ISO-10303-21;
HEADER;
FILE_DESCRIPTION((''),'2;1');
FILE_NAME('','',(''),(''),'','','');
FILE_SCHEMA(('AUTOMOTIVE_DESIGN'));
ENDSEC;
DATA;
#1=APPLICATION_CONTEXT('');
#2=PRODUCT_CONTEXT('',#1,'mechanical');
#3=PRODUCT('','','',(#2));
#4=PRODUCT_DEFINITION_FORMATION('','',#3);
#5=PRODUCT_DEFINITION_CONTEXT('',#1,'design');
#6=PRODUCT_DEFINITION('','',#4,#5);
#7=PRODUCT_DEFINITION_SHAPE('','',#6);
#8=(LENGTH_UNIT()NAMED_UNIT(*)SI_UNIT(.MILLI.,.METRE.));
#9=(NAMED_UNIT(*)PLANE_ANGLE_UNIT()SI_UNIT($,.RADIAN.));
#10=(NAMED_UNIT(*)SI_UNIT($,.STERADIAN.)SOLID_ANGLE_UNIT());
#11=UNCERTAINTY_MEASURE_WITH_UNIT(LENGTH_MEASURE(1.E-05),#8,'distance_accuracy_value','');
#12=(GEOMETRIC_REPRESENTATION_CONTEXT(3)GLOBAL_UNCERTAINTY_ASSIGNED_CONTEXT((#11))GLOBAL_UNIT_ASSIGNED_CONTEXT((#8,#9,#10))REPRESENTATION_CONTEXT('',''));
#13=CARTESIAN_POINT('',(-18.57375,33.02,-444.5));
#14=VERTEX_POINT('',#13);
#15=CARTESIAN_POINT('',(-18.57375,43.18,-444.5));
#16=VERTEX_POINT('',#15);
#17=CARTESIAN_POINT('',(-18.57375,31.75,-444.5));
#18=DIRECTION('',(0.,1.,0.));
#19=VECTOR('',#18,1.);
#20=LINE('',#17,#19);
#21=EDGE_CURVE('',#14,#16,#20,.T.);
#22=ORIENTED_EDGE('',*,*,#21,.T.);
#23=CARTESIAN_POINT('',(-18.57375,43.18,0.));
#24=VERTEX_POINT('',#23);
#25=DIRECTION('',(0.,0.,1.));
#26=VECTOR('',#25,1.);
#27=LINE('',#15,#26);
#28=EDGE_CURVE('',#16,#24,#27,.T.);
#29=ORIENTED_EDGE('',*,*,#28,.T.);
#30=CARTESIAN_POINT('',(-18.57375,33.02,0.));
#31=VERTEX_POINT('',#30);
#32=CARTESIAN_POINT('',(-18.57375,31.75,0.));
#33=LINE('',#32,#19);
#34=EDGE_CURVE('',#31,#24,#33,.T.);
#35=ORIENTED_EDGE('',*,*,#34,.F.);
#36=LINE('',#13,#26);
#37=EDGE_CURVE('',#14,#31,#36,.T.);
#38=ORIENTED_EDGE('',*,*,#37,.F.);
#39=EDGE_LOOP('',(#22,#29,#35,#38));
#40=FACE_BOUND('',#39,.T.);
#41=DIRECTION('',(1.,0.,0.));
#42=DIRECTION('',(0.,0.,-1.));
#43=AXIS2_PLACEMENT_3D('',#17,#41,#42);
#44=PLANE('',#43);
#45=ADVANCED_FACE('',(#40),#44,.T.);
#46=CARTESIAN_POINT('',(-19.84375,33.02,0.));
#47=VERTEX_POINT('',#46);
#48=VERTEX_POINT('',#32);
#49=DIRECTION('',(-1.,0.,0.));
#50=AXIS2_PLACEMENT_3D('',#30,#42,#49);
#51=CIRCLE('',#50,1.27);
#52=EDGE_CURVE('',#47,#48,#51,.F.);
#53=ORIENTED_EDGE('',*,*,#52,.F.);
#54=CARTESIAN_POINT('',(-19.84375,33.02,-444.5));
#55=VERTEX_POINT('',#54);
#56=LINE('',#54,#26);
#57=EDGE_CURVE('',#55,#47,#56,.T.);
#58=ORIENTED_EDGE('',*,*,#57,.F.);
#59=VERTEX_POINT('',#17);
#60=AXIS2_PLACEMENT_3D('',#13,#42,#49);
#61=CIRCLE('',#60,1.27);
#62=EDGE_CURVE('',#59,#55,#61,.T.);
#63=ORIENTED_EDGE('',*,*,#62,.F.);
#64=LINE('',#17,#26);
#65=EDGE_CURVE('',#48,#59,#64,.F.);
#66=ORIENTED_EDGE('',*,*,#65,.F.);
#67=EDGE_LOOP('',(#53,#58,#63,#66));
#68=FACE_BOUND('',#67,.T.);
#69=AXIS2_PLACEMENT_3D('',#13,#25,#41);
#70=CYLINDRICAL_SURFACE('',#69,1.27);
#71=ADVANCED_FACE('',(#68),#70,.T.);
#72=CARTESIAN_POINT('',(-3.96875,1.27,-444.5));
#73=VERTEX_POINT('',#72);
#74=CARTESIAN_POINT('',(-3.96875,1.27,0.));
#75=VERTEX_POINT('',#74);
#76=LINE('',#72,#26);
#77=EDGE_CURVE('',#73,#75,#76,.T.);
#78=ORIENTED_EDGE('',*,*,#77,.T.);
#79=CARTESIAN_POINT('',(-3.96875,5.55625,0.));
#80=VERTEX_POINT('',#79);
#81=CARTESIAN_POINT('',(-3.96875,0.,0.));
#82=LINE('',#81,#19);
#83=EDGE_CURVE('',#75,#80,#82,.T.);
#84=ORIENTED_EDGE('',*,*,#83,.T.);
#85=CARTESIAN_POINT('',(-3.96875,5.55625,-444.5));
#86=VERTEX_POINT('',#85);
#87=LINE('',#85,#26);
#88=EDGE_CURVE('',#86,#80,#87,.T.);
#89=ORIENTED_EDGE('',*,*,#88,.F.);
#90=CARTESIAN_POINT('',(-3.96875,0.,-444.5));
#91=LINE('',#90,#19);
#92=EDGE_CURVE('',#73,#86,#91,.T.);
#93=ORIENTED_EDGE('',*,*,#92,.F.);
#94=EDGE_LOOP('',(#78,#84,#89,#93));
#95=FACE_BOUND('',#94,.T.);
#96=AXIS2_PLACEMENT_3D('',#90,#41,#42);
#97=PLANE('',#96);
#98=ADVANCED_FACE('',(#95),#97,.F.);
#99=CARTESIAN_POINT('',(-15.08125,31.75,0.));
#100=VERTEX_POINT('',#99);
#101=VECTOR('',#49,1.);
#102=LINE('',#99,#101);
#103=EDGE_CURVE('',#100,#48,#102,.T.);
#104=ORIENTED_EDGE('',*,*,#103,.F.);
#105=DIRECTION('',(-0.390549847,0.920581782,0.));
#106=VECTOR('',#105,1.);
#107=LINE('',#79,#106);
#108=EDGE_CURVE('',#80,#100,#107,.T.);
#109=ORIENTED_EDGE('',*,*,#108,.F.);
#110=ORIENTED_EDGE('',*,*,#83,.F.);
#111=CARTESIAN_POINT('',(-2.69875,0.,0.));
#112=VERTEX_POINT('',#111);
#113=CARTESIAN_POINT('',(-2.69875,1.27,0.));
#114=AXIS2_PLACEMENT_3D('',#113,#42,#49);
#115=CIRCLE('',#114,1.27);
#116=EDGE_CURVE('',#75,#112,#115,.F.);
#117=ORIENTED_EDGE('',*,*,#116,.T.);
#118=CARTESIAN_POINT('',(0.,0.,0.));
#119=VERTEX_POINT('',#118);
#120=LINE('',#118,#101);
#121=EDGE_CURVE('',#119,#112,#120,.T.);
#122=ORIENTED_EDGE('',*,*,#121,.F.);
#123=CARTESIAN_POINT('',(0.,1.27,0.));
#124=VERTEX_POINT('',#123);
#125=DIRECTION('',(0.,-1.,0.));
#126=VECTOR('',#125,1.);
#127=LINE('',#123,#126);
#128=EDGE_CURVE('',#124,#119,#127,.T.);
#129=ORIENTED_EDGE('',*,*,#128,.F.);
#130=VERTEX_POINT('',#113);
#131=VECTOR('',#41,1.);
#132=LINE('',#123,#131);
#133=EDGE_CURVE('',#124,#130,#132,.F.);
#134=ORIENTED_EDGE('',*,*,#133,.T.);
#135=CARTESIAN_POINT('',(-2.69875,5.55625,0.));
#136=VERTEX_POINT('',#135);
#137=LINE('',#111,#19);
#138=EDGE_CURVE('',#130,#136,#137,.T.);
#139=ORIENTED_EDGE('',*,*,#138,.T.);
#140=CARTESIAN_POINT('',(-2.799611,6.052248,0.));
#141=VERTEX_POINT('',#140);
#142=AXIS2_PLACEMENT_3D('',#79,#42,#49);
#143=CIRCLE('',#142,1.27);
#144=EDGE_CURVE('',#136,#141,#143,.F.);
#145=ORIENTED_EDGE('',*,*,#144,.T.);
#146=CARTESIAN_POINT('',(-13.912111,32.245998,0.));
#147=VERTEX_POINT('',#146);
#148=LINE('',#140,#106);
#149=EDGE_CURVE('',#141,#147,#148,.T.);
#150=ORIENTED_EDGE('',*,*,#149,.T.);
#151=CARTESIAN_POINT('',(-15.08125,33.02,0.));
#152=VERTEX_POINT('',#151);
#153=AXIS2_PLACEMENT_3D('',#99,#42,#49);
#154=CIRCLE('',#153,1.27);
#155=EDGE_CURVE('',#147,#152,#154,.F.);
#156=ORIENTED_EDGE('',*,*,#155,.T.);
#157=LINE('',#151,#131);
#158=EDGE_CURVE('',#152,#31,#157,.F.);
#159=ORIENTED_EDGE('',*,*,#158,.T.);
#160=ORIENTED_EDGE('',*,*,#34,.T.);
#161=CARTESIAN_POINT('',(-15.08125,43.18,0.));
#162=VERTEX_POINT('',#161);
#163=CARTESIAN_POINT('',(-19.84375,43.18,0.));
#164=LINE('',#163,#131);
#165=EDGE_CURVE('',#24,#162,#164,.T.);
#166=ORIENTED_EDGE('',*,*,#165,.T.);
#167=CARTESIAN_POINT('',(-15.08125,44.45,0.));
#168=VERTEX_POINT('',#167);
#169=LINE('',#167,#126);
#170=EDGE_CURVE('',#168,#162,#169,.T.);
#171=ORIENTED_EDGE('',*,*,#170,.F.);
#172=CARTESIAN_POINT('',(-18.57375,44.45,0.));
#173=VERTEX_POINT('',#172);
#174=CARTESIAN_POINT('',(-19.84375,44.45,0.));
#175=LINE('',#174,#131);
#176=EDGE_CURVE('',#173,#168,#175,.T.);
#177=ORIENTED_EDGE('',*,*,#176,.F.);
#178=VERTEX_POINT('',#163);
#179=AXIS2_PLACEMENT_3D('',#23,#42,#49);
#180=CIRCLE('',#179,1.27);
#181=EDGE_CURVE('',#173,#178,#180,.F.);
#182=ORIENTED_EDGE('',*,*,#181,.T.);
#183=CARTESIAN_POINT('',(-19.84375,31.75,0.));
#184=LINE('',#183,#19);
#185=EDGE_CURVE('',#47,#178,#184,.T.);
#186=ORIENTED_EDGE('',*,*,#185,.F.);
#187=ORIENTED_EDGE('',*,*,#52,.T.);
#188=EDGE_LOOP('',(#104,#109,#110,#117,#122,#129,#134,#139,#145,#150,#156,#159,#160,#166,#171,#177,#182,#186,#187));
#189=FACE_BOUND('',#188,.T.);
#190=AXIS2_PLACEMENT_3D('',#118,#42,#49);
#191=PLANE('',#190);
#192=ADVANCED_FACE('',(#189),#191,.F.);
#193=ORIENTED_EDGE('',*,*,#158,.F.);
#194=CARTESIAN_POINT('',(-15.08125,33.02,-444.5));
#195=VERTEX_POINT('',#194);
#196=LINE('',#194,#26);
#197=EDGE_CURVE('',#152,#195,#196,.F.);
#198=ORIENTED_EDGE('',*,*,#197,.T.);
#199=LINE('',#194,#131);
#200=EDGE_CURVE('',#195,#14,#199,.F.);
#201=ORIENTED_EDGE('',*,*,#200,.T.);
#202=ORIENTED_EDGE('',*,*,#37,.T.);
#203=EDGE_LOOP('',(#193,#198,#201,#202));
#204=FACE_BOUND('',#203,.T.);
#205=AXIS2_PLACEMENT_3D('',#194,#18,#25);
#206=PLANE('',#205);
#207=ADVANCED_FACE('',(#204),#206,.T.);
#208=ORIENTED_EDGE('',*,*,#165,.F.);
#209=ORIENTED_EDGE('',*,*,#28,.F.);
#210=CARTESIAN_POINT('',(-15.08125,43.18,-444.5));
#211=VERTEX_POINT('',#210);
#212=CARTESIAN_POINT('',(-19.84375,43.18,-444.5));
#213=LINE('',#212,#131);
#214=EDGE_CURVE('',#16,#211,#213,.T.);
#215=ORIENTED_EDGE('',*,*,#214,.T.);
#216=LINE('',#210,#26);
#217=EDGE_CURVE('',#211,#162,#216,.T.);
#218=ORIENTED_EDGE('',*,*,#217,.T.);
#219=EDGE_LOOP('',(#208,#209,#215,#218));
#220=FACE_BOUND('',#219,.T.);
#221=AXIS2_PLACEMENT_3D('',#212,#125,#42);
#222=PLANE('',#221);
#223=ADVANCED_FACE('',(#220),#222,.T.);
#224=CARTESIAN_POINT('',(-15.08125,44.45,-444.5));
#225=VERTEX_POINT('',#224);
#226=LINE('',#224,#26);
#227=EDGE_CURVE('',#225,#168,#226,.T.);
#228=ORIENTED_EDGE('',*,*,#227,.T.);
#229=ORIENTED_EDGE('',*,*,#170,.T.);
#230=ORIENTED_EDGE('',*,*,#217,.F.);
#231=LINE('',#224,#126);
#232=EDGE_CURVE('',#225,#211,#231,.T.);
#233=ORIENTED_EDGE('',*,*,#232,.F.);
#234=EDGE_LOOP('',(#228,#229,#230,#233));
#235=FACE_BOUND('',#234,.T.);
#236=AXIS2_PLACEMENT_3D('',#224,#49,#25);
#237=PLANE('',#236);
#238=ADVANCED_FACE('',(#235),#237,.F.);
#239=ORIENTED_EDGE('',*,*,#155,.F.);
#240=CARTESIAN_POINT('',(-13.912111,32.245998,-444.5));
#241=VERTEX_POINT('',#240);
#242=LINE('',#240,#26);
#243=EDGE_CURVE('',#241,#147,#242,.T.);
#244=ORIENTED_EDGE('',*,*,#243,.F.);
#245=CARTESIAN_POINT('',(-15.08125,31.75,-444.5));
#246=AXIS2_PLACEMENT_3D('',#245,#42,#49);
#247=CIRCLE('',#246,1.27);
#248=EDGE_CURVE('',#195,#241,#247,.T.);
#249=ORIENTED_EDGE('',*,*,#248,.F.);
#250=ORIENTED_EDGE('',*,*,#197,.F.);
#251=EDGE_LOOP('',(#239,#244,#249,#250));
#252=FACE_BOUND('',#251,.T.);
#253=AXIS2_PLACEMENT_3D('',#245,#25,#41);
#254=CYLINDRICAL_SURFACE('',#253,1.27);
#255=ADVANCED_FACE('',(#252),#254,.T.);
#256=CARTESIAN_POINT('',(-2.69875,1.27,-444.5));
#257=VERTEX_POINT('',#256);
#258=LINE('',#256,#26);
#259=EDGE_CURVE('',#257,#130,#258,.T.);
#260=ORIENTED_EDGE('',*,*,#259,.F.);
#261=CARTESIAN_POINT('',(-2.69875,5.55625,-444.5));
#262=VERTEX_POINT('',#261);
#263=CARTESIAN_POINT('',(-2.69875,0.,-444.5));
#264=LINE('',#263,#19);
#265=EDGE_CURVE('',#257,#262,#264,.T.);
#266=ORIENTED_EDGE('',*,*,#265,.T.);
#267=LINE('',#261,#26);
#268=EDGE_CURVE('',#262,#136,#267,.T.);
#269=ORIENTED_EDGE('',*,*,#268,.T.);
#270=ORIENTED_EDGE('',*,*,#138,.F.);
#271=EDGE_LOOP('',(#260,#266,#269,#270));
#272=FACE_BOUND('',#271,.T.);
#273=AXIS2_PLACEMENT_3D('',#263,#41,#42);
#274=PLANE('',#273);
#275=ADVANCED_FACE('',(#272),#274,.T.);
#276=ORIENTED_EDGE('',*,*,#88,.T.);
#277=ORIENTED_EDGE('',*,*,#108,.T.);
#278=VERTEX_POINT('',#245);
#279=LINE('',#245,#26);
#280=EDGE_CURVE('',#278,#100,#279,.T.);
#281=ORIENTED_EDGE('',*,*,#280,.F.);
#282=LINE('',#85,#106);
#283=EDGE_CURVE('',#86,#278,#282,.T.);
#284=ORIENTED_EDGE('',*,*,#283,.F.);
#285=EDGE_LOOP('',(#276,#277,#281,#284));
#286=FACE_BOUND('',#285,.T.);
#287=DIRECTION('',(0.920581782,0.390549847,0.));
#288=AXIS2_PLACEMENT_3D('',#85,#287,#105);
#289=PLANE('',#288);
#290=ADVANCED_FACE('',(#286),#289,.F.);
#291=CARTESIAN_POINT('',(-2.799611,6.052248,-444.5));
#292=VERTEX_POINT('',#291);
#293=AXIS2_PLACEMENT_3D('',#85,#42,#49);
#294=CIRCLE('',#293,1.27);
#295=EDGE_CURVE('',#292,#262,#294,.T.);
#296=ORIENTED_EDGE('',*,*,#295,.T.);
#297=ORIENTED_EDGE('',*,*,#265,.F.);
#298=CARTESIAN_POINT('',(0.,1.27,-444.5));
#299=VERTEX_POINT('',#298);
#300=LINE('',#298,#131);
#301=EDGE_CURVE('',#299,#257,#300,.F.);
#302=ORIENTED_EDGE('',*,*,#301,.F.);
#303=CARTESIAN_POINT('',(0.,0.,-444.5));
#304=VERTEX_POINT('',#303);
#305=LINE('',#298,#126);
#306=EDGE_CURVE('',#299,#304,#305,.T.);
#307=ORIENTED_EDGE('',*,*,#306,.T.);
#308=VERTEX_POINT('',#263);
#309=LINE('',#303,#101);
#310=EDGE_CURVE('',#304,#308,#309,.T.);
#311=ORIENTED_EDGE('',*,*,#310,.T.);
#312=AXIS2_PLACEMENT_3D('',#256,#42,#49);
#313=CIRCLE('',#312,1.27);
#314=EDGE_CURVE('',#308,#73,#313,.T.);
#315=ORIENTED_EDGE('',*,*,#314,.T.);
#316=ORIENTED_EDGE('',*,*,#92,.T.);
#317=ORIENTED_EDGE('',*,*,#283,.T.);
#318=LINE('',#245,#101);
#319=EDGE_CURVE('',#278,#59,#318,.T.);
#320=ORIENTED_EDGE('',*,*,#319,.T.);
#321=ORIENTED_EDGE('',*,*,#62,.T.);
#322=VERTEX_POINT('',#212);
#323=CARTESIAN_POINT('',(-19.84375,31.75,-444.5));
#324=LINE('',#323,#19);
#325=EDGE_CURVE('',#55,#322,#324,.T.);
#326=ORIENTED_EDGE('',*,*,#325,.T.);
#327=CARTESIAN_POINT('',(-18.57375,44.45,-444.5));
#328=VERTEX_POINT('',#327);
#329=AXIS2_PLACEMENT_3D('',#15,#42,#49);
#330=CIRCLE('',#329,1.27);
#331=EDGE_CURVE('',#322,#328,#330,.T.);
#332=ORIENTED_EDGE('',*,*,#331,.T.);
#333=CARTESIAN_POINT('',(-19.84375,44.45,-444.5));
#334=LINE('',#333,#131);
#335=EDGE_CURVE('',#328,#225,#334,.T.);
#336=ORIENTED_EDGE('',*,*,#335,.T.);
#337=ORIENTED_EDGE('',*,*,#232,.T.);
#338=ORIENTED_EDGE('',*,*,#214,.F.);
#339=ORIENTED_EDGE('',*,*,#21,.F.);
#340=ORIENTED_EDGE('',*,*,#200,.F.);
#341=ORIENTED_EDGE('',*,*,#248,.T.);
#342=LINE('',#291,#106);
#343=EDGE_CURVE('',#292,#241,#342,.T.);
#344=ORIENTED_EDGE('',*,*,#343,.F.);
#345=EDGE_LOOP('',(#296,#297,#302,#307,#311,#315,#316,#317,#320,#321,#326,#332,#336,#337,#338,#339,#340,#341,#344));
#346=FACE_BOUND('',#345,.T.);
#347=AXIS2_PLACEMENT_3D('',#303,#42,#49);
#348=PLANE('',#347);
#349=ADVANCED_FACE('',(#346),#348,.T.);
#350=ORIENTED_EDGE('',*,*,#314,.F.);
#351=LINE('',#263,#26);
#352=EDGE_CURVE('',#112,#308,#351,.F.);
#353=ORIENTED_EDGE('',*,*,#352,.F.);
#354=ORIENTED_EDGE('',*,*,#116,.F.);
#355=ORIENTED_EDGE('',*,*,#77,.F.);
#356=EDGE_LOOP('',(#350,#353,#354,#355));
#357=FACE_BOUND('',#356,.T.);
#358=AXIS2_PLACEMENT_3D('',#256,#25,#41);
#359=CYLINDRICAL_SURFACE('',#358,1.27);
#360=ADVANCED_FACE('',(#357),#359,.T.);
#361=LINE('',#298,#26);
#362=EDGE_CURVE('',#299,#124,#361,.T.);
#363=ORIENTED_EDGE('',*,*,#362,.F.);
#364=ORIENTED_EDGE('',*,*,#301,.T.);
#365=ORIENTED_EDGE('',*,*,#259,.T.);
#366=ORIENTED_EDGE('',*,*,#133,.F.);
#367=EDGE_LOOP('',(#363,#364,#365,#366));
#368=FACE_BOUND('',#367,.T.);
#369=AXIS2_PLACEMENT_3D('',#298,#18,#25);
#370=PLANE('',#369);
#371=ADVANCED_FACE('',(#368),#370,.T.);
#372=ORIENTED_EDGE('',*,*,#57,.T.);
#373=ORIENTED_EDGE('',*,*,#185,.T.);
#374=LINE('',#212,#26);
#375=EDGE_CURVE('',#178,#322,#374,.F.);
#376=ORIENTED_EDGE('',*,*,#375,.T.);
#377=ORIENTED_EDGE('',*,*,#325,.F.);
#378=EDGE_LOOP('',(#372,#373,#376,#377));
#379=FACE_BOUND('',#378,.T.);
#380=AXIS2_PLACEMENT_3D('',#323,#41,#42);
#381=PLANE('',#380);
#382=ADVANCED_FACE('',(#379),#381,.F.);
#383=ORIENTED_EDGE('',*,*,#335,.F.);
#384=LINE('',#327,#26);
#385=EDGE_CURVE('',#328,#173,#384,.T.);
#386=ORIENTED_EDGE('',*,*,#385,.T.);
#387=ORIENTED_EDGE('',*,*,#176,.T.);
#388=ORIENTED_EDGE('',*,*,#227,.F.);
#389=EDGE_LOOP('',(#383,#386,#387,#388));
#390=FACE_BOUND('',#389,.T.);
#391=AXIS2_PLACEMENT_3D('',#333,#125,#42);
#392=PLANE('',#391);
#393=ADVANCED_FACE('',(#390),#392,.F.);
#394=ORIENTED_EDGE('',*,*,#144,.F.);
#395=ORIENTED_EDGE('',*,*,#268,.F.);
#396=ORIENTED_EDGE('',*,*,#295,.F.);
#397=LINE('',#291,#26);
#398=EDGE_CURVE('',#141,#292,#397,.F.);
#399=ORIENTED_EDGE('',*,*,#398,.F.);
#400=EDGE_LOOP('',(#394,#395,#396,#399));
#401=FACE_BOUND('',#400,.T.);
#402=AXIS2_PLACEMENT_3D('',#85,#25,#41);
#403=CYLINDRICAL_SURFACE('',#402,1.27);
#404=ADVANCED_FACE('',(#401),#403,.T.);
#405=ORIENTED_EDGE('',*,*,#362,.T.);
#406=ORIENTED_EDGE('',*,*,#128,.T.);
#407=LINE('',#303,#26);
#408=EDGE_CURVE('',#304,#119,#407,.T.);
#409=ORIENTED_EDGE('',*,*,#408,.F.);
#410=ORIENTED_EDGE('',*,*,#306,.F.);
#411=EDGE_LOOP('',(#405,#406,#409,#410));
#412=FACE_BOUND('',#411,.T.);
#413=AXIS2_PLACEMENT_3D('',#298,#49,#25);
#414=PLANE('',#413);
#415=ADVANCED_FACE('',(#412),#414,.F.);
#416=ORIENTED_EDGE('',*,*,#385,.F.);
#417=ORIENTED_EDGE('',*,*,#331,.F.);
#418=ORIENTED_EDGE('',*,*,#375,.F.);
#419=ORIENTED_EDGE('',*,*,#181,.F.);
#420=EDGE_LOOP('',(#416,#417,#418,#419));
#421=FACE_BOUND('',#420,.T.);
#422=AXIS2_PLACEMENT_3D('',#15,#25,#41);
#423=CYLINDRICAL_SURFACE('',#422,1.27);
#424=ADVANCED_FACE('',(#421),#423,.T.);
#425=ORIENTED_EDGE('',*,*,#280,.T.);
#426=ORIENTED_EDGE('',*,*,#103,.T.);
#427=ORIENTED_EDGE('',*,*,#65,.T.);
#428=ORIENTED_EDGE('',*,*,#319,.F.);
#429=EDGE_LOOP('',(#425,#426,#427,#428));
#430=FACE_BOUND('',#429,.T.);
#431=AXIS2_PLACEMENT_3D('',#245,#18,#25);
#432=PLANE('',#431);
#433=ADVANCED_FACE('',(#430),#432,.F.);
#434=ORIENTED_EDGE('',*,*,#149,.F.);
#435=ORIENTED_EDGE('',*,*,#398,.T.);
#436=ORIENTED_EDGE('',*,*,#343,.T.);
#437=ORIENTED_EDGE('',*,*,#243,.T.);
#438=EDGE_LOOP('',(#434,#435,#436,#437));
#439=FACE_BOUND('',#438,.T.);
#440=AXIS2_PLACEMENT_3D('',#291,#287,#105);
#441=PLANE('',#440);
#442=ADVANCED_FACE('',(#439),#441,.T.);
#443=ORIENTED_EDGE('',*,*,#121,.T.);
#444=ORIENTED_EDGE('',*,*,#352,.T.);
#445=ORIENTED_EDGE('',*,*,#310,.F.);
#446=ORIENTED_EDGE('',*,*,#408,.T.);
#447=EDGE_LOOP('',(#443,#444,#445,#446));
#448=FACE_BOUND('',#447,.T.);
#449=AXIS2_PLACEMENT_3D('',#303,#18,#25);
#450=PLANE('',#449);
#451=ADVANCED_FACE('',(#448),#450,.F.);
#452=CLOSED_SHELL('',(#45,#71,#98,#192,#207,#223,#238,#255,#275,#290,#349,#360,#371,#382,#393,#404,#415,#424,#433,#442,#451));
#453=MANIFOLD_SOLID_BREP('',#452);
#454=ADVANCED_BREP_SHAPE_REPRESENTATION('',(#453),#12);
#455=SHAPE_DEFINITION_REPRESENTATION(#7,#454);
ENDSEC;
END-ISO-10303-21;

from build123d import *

# Parameters (mm, degrees)
EXTRUDE_THIN1_DEPTH = 444.5
FILLET1_R           = 1.27


with BuildPart() as part:
    # Sketch1 → Extrude-Thin1 (new body)
    with BuildSketch(Plane.XY):
        Polygon((0, 0), (-3.96875, 0), (-3.96875, 5.55625), (-15.08125, 31.75), (-19.84375, 31.75), (-19.84375, 44.45), (-15.08125, 44.45), (-15.08125, 43.18), (-18.57375, 43.18), (-18.57375, 33.02), (-14.240475492, 33.02), (-2.69875, 5.814504197), (-2.69875, 1.27), (0, 1.27), align=None)
    extrude(amount=-EXTRUDE_THIN1_DEPTH)

    # Fillet1
    fillet1_edges = [part.edges().sort_by_distance(p)[0] for p in [
        (-14.240475492, 33.02, -222.25),
        (-2.69875, 5.814504197, -222.25),
        (-3.96875, 0, -222.25),
        (-19.84375, 31.75, -222.25),
        (-19.84375, 44.45, -222.25),
    ]]
    fillet(fillet1_edges, radius=FILLET1_R)


solid = part.part
